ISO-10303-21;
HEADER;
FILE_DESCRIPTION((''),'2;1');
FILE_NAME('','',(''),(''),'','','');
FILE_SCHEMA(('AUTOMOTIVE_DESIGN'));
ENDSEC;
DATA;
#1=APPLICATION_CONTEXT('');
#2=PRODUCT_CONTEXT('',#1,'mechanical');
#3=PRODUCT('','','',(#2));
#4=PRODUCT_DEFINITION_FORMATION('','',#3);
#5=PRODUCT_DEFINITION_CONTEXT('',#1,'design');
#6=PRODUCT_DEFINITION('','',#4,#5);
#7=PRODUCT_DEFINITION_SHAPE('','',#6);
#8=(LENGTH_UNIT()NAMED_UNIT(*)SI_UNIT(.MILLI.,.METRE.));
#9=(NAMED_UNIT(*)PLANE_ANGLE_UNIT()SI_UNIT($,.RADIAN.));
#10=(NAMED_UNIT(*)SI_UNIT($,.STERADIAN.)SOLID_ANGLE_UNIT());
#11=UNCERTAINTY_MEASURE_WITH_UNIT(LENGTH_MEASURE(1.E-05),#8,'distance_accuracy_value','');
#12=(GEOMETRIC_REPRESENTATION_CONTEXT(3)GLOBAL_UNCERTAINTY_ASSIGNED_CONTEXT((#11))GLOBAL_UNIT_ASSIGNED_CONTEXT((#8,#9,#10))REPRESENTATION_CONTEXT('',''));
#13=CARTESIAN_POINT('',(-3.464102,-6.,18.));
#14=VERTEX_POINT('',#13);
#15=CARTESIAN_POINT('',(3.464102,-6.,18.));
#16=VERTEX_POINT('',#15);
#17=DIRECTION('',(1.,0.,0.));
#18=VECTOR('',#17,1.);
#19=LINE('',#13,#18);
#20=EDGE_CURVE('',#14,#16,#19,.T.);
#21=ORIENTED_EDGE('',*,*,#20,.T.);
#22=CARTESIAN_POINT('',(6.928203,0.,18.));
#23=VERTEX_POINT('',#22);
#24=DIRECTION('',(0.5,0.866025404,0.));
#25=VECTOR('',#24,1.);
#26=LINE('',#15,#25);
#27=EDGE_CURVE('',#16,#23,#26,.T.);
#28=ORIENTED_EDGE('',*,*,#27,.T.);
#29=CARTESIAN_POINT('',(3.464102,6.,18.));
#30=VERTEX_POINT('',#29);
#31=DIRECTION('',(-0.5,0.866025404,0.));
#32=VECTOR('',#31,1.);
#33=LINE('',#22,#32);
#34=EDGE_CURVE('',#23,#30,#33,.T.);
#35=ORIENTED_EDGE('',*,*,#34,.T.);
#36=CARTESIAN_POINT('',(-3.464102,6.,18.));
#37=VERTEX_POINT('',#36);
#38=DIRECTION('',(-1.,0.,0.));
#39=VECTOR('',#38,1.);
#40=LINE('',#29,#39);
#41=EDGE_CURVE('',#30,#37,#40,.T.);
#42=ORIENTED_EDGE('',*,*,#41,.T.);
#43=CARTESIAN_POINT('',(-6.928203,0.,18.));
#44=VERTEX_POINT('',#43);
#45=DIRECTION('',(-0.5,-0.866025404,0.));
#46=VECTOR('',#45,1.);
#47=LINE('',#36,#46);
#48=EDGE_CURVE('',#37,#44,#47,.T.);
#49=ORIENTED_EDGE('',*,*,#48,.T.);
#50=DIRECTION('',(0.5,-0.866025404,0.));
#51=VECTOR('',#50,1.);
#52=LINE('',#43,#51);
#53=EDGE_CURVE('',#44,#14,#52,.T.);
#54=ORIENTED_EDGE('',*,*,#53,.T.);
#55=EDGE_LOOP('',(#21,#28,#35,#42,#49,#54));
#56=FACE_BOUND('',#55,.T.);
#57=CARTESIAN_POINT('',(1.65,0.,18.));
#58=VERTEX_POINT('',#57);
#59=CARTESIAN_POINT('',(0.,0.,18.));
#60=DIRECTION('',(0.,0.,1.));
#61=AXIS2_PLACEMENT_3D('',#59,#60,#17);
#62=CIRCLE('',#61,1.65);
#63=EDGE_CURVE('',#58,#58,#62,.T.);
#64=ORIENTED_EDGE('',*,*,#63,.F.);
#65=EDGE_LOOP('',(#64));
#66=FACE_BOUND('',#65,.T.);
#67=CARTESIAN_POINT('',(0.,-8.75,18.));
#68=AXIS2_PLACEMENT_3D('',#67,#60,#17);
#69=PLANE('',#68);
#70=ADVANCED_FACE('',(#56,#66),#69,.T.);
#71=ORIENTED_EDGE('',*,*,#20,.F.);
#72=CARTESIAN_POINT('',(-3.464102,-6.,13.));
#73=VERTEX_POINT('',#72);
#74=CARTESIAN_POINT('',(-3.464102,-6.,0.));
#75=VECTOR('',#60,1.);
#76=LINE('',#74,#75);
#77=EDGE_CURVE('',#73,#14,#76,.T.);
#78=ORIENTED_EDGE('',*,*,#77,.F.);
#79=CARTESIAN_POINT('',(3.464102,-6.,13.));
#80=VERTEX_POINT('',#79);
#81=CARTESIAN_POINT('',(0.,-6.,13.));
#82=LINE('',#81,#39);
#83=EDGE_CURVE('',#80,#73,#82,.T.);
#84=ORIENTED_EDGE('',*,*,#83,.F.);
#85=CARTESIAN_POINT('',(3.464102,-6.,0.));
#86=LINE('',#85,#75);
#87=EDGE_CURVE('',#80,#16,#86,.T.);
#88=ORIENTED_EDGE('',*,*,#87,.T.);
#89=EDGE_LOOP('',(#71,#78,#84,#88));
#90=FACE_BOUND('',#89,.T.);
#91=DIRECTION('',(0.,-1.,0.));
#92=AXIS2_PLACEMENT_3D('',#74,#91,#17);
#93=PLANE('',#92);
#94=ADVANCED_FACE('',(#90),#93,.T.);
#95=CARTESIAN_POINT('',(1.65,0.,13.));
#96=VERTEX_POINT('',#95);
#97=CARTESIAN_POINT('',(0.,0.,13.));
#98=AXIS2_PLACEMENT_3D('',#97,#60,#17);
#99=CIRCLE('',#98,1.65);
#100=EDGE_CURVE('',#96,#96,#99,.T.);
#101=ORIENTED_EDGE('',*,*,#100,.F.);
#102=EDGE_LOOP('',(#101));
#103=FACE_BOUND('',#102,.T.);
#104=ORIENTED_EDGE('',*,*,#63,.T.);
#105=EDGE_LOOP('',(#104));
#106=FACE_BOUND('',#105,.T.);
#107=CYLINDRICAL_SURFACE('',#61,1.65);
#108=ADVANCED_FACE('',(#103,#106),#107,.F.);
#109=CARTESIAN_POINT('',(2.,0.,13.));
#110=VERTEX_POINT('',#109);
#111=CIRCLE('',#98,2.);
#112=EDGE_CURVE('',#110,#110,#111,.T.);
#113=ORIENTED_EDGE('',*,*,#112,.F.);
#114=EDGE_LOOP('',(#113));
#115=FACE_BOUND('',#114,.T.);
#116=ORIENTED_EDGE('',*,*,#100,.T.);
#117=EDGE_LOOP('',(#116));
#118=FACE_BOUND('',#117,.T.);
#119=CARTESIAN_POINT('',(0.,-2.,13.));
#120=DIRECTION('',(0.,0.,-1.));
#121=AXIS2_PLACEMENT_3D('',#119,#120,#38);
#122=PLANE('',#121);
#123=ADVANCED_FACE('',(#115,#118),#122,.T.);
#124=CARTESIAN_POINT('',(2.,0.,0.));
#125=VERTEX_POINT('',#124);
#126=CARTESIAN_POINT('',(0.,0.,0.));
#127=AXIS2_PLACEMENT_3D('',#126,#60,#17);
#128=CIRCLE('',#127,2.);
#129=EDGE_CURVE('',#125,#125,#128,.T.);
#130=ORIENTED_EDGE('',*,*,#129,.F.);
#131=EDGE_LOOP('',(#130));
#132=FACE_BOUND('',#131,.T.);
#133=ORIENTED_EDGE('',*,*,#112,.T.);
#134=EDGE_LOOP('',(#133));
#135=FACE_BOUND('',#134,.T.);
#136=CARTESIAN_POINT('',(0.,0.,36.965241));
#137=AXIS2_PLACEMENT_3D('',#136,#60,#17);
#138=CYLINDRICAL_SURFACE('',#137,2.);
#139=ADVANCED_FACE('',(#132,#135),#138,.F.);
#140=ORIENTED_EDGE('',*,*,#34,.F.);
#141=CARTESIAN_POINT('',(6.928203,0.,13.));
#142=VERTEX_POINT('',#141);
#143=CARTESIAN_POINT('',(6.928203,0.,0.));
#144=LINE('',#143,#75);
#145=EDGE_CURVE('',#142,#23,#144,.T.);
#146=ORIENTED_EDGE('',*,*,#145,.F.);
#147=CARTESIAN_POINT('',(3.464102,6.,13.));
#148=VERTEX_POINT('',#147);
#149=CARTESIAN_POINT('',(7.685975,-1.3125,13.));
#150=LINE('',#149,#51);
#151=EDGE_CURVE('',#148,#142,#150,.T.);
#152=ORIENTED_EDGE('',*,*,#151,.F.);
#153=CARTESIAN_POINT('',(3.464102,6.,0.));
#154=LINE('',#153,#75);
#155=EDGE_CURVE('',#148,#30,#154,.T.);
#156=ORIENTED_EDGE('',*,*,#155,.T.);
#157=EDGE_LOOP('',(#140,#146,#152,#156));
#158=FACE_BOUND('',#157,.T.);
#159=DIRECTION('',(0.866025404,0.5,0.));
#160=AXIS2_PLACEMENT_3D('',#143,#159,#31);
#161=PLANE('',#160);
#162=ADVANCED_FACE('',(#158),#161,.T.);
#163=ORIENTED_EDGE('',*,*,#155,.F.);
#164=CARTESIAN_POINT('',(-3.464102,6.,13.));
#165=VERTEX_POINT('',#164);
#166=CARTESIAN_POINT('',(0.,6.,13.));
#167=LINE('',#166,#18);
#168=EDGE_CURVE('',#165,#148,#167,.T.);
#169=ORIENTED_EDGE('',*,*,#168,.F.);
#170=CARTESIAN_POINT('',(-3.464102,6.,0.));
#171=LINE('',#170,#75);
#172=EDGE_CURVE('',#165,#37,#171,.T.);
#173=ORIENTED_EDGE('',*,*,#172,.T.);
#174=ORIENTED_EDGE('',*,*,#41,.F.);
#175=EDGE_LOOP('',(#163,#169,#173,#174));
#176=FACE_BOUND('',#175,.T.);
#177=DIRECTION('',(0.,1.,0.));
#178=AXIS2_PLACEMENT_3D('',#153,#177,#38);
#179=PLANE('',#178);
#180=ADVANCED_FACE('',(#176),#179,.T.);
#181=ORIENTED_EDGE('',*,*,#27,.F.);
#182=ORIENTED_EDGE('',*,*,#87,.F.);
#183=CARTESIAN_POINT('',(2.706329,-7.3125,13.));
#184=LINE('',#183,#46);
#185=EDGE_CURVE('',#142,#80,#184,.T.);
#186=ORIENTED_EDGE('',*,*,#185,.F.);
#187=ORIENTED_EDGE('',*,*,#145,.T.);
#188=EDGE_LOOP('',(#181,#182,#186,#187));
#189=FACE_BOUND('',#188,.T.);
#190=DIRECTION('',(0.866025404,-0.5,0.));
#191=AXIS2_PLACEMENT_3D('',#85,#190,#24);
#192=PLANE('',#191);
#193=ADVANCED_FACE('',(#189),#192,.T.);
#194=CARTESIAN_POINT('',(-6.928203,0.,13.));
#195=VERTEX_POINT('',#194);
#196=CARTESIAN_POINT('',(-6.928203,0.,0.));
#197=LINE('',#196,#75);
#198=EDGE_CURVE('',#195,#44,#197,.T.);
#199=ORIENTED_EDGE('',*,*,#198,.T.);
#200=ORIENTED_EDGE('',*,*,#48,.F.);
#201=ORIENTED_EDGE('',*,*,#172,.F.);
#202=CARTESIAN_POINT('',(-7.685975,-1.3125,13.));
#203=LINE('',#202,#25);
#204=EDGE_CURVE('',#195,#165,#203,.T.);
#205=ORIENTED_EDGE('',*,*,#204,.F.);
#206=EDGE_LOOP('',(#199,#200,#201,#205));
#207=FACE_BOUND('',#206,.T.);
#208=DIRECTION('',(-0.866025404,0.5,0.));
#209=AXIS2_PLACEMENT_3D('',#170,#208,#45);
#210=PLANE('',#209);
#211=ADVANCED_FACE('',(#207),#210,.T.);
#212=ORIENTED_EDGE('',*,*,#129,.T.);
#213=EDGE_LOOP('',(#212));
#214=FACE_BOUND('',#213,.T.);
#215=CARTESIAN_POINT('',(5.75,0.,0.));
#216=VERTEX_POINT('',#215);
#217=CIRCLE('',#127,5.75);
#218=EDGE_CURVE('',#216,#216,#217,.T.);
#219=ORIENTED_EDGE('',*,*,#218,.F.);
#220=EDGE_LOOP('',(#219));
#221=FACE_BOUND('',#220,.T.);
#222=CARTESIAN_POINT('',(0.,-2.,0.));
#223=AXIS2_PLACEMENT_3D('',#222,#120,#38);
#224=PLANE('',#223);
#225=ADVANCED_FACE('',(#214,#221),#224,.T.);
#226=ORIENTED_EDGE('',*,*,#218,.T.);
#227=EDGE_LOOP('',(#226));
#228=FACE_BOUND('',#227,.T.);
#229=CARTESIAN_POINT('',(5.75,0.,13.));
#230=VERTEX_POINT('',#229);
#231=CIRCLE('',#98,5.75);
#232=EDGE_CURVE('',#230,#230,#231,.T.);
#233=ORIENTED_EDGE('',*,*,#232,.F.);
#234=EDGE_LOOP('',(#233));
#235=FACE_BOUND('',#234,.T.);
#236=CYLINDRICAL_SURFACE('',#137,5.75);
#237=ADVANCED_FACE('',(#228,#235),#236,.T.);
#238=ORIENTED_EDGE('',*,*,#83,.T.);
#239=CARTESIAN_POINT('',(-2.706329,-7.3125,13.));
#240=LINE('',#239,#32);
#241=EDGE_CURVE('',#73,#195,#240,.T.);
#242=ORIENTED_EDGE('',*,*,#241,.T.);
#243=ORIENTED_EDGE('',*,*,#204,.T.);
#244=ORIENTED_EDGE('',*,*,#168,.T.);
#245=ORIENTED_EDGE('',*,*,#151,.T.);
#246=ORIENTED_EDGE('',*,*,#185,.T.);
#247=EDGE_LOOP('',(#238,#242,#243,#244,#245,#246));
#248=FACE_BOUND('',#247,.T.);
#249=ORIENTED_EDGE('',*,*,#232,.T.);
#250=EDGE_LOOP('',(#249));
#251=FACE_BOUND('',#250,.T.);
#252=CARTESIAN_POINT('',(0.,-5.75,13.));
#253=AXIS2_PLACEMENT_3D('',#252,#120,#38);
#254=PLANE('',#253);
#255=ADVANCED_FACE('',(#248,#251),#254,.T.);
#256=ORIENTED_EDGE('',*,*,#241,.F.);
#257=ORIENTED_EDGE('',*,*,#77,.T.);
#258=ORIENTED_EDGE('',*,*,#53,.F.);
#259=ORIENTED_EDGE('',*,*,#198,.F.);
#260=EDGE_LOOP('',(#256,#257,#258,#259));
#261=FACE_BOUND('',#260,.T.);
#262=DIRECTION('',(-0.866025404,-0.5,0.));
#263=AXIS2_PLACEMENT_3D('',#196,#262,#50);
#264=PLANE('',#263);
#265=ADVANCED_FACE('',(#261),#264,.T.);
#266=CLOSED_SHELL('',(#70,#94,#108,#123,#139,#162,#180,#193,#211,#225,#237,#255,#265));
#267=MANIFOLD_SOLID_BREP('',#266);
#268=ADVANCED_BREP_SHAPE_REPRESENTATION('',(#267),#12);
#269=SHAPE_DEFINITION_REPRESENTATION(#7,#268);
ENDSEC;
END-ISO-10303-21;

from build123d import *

# Parameters (mm, degrees)
TAP_DRILL_FOR_M4X0_7_TAP1_D     = 3.3
TAP_DRILL_FOR_M4X0_7_TAP1_DEPTH = 5
TAP_DRILL_FOR_M4X0_7_TAP1_TIP   = 0.991420021
SKETCH9_OUTSIDE_W               = 25.62
SKETCH9_OUTSIDE_H               = 25.62
CUT_EXTRUDE1_DEPTH              = 22.843191159


with BuildPart() as part:
    # Sketch1 → Revolve1 (revolve)
    with BuildSketch(Plane(origin=(0, 0, 0), x_dir=(0, 0, -1), z_dir=(1, 0, 0)), mode=Mode.PRIVATE) as revolve1_sk:
        Polygon((0, -2), (0, -5.75), (-13, -5.75), (-13, -8.75), (-18, -8.75), (-18, 0), (-13, 0), (-13, -2), align=None)
    revolve(revolve1_sk.sketch.rotate(Axis((0, 0, 36.965240676), (0, 0, -1)), 270), axis=Axis((0, 0, 36.965240676), (0, 0, -1)))

    # Tap Drill for M4x0.7 Tap1
    with Locations(Plane.XY.offset(18)):
        with Locations((0, 0)):
            Hole(TAP_DRILL_FOR_M4X0_7_TAP1_D / 2, depth=TAP_DRILL_FOR_M4X0_7_TAP1_DEPTH)
            with Locations((0, 0, -(TAP_DRILL_FOR_M4X0_7_TAP1_DEPTH + TAP_DRILL_FOR_M4X0_7_TAP1_TIP / 2))):  # 118° drill point
                Cone(0, TAP_DRILL_FOR_M4X0_7_TAP1_D / 2, TAP_DRILL_FOR_M4X0_7_TAP1_TIP, mode=Mode.SUBTRACT)

    # Sketch9 outside → Cut-Extrude1 (cut, through all)
    with BuildSketch(Plane.XY.offset(18)):
        Rectangle(SKETCH9_OUTSIDE_W, SKETCH9_OUTSIDE_H)
        Polygon((3.464101615, -6), (6.92820323, 0), (3.464101615, 6), (-3.464101615, 6), (-6.92820323, 0), (-3.464101615, -6), align=None, mode=Mode.SUBTRACT)
    extrude(amount=-CUT_EXTRUDE1_DEPTH, mode=Mode.SUBTRACT)


solid = part.part
